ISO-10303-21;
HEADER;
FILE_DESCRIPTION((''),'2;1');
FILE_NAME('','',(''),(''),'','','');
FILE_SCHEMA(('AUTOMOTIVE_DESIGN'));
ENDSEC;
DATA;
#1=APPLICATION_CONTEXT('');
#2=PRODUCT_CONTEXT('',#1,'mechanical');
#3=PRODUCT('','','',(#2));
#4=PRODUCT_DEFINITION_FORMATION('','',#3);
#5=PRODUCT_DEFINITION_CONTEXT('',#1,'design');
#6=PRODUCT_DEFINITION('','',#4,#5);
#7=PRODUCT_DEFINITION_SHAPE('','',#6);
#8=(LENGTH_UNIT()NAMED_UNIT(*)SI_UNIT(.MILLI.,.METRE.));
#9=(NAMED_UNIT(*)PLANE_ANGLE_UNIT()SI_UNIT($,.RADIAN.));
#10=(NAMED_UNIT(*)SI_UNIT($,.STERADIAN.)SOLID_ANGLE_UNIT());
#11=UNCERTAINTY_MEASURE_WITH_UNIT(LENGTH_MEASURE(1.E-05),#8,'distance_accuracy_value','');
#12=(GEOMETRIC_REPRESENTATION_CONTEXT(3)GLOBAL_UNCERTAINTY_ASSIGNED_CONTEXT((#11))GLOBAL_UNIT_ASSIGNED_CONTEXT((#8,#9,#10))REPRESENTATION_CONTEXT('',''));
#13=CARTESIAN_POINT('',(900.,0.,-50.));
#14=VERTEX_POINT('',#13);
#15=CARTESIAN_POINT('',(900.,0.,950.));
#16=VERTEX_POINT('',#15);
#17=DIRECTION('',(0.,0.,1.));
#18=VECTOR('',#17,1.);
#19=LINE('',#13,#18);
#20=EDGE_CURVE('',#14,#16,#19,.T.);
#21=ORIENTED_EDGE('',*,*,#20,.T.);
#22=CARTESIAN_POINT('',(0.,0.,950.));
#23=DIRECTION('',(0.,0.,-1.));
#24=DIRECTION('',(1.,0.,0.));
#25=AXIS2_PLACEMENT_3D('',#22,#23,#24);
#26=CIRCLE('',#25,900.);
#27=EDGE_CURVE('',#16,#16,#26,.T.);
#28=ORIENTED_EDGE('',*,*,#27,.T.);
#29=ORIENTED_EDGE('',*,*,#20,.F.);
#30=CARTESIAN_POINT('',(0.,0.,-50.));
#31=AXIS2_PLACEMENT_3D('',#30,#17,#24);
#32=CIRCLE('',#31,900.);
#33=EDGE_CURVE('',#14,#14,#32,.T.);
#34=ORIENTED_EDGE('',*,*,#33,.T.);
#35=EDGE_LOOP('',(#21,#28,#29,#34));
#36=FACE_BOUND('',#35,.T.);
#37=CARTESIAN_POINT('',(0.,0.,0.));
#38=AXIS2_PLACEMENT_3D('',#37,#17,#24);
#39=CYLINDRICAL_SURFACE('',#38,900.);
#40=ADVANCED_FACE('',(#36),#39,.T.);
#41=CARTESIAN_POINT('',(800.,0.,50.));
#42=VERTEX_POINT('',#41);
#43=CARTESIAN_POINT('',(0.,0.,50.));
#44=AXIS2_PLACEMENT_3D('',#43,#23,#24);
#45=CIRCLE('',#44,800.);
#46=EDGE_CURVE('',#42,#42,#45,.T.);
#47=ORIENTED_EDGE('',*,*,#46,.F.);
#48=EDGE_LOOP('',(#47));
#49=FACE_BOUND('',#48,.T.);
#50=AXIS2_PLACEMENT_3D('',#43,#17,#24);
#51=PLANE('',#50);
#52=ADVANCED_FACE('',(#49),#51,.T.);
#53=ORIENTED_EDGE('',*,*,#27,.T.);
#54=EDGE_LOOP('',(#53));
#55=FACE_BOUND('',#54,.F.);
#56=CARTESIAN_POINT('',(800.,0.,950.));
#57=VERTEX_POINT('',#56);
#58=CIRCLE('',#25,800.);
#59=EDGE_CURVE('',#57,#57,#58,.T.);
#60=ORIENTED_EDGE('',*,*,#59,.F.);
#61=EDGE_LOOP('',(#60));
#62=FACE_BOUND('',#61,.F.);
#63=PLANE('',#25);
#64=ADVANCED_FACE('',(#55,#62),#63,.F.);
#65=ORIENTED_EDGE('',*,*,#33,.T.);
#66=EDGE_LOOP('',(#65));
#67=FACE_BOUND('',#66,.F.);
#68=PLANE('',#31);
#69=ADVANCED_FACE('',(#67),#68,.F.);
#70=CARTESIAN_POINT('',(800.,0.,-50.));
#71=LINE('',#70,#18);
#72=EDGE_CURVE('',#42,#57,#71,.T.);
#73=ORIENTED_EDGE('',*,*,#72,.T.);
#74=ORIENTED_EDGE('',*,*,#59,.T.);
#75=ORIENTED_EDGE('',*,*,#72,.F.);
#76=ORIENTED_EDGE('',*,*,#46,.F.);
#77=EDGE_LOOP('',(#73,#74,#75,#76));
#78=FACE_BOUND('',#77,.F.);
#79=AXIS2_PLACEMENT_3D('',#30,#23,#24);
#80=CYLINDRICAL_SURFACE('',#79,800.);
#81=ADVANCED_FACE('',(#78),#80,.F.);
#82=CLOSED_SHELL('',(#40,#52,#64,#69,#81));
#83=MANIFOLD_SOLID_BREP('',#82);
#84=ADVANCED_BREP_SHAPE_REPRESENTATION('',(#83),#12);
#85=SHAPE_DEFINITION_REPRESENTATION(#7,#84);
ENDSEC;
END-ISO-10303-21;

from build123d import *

# Parameters (mm, degrees)
F0_R     = 900
F1_DEPTH = 50
F2_R     = 900
F2_R_2   = 800
F3_DEPTH = 1000


with BuildPart() as f1:
    # F0 (on Top) → F1 (new body, symmetric)
    with BuildSketch(Plane.XY):
        Circle(F0_R)
    extrude(amount=F1_DEPTH, both=True)

    # F2 (on face) → F3 (join)
    with BuildSketch(Plane(origin=(0, 0, -50), x_dir=(1, 0, 0), z_dir=(0, 0, -1))):
        Circle(F2_R)
        Circle(F2_R_2, mode=Mode.SUBTRACT)
    extrude(amount=-F3_DEPTH)


solid = f1.part
